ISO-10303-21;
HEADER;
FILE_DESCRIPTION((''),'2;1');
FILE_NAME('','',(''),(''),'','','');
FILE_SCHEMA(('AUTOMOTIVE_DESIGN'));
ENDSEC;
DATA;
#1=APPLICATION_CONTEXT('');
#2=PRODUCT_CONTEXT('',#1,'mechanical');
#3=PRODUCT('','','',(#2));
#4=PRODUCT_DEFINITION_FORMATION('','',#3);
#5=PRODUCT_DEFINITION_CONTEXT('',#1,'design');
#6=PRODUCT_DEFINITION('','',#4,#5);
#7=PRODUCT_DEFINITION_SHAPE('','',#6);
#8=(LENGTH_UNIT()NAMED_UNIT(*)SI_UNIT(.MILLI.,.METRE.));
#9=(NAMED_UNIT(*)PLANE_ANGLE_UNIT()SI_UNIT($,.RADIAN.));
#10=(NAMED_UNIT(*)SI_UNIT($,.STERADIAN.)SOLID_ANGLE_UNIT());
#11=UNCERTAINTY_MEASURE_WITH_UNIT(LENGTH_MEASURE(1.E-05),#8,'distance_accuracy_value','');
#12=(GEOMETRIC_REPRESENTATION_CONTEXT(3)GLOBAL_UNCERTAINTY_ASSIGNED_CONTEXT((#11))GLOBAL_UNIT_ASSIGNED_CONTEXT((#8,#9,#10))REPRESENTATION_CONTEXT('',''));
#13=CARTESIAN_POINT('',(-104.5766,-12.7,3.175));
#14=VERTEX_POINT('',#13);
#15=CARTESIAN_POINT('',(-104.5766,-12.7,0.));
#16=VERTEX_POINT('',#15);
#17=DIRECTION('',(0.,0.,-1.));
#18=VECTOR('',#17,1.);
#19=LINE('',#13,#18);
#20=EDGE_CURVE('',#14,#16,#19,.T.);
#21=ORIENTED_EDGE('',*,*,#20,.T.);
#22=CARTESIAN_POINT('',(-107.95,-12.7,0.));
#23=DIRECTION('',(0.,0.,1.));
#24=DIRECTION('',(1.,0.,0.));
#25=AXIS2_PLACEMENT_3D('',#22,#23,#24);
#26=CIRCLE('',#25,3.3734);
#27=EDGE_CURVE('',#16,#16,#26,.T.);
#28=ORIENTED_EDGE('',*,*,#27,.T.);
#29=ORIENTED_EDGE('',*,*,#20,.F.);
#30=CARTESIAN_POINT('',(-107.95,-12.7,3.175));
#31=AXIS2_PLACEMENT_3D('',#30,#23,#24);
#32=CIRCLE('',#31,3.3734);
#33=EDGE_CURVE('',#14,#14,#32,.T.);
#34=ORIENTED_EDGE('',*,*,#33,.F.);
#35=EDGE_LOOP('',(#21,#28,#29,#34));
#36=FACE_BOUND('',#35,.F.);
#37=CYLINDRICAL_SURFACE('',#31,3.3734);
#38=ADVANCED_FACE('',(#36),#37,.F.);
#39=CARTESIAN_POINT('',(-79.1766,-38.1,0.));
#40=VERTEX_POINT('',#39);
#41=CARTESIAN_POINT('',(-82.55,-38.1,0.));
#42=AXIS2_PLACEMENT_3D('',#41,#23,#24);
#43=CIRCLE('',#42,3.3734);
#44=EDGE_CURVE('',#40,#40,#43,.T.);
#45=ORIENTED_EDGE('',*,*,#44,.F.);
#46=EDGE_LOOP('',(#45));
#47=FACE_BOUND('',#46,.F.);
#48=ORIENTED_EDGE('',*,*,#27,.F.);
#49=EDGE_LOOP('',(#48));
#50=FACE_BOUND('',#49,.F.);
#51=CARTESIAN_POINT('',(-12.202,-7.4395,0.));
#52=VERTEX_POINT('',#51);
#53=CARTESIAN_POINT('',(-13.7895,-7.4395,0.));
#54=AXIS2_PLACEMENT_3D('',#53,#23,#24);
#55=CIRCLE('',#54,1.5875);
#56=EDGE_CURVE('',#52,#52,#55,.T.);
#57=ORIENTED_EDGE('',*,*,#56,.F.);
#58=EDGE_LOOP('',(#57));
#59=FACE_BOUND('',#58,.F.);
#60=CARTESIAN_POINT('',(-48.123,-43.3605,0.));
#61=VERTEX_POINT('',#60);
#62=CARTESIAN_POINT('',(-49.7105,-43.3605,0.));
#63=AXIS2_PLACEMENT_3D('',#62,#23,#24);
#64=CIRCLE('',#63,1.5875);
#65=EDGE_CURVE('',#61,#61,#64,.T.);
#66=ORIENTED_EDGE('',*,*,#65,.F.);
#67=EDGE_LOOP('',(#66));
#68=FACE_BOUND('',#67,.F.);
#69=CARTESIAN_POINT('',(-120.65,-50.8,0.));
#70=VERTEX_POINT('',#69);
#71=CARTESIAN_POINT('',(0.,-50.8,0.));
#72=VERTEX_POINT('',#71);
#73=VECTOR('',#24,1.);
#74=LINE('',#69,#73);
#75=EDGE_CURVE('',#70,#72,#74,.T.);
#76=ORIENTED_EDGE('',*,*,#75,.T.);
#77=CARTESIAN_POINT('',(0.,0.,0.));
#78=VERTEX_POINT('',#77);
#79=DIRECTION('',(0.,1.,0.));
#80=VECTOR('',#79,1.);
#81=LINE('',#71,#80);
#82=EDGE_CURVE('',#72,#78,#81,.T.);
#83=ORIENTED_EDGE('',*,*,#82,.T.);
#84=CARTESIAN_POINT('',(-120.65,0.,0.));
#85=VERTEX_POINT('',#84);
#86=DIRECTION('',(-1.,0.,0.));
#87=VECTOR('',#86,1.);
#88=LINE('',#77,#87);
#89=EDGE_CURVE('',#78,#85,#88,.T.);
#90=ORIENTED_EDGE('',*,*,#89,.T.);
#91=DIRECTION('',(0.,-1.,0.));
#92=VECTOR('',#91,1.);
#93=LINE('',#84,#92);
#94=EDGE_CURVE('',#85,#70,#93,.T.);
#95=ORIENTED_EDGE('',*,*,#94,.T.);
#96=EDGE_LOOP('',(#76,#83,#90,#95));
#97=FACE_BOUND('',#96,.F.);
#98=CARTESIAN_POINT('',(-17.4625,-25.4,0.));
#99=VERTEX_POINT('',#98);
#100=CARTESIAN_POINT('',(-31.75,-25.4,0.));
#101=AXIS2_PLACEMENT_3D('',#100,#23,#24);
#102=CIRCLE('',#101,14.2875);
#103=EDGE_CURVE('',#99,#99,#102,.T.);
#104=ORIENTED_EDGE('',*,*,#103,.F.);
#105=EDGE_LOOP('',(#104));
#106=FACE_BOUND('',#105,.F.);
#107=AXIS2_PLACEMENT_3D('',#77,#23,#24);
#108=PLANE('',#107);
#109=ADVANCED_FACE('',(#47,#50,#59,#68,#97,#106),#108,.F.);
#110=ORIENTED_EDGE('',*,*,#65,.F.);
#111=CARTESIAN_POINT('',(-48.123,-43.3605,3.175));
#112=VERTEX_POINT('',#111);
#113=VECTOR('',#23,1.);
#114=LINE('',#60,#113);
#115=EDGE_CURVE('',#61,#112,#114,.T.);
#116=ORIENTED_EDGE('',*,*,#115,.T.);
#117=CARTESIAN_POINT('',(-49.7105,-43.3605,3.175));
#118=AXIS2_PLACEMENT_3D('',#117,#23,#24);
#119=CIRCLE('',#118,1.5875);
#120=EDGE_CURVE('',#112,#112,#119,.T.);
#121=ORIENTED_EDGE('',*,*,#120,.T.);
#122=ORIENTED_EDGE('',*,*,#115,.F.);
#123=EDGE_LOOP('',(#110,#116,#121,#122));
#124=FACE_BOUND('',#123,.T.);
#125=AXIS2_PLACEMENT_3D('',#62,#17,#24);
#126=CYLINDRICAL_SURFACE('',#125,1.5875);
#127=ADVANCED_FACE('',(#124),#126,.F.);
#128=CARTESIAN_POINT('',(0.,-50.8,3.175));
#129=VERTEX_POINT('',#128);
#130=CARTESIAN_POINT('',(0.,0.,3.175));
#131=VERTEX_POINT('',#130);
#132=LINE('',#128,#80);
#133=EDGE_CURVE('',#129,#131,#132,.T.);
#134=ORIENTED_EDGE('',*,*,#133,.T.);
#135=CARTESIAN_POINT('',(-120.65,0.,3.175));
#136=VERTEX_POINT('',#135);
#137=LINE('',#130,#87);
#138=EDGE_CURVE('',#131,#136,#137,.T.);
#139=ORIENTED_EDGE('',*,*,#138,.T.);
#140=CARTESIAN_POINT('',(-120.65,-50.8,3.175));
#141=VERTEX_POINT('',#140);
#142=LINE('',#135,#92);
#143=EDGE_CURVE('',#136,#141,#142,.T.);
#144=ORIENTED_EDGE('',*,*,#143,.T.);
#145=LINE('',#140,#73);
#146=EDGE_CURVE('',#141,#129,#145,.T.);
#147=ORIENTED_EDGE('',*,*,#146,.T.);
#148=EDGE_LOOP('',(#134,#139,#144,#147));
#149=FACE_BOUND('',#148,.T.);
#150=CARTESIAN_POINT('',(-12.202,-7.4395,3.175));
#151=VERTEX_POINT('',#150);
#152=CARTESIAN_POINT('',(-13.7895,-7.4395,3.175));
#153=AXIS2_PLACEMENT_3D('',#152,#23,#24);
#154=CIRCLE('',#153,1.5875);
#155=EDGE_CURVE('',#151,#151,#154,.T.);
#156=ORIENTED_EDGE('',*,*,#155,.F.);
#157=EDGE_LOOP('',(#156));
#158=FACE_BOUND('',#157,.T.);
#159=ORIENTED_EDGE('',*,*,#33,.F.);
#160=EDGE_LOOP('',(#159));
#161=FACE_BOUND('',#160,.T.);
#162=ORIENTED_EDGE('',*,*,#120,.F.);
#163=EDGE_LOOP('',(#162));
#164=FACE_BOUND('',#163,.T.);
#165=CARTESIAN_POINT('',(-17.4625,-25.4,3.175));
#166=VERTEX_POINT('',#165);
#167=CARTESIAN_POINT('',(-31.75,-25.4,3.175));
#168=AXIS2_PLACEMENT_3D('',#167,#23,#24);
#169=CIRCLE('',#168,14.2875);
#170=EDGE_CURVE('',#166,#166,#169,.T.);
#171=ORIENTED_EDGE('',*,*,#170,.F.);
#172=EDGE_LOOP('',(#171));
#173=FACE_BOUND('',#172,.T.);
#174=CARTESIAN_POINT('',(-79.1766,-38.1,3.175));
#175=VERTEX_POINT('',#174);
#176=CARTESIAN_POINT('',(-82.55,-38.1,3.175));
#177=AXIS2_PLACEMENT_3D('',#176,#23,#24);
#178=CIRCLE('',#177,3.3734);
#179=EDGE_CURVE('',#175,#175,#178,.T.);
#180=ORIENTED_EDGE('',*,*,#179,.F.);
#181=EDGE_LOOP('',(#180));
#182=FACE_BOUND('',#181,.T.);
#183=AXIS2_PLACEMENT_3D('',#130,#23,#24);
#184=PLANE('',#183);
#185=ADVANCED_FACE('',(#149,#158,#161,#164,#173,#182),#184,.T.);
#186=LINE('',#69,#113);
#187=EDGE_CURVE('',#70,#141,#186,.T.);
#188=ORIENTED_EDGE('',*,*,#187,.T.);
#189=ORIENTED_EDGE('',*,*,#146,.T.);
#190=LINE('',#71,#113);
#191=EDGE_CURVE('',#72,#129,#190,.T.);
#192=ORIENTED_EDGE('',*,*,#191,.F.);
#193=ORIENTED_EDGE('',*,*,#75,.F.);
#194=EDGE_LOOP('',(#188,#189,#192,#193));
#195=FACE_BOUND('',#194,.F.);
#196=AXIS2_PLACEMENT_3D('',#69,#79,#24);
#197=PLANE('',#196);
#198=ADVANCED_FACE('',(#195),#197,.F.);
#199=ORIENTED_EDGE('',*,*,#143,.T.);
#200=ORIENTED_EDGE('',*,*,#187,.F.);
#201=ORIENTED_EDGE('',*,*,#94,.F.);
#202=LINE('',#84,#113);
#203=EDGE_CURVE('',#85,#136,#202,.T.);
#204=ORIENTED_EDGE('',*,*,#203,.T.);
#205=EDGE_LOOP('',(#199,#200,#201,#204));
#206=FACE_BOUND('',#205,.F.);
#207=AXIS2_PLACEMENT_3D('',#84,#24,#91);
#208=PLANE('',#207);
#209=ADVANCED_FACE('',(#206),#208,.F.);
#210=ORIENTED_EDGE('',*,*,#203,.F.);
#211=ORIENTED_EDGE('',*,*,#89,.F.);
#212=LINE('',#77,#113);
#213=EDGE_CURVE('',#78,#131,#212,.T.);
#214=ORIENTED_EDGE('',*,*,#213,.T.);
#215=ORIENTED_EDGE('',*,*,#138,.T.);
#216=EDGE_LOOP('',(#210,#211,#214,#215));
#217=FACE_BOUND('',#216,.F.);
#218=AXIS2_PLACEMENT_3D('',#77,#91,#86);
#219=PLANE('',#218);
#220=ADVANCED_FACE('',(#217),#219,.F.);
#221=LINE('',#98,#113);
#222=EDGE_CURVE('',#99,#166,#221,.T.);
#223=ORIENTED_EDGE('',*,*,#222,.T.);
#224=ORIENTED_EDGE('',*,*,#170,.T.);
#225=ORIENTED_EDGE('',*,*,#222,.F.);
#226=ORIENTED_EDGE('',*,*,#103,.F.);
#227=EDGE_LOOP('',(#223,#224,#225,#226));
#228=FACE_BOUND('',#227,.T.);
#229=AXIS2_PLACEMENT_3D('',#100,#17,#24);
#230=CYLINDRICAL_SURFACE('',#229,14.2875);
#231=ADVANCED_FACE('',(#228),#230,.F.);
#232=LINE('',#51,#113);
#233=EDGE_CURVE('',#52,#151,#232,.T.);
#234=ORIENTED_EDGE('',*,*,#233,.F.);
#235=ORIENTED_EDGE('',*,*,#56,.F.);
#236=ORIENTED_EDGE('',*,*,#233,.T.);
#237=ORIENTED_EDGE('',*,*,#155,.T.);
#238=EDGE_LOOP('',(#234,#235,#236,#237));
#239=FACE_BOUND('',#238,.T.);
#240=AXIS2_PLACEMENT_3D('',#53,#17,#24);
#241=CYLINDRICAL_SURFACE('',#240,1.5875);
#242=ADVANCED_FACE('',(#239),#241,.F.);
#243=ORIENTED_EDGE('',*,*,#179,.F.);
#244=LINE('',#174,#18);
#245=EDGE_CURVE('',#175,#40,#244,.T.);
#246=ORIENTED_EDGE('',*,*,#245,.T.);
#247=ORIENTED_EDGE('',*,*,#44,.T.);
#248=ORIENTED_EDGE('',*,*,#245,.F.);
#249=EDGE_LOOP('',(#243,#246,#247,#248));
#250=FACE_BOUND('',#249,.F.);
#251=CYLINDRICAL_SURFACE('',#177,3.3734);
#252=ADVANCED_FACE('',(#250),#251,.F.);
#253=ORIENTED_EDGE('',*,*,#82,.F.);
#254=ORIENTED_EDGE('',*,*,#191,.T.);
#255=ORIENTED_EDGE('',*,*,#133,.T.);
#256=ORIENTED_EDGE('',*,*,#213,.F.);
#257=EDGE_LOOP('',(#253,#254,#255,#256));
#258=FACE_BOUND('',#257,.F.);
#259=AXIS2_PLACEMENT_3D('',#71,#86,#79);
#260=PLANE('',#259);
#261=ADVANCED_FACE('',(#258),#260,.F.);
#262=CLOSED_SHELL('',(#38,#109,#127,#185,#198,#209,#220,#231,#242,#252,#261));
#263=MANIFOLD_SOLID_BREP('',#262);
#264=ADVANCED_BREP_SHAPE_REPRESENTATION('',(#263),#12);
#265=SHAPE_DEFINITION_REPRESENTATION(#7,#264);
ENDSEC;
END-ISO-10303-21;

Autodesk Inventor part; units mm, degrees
ref_plane "YZ Plane" through (0, 0, 0) normal (1, 0, 0) x (0, 1, 0)
ref_plane "XZ Plane" through (0, 0, 0) normal (0, 1, 0) x (-1, 0, 0)
ref_plane "XY Plane" through (0, 0, 0) normal (0, 0, 1) x (1, 0, 0)
sketch "Sketch1" plane through (0, 0, 0) normal (0, 0, 1) x (1, 0, 0)
  line L0 (0, 0) -> (-120.65, 0)
  line L1 (-120.65, 0) -> (-120.65, -50.8)
  line L2 (-120.65, -50.8) -> (0, -50.8)
  line L3 (0, -50.8) -> (0, 0)
  circle A0 centre (-31.75, -25.4) radius 14.2875
  circle A1 centre (-13.7895, -7.4395) radius 1.5875
  circle A2 centre (-49.7105, -43.3605) radius 1.5875
  dimension "d0" = 28.575
  dimension "d1" = 25.4
  dimension "d2" = 25.4
  dimension "d3" = 50.8
  dimension "d4" = 3.175
  dimension "d5" = 3.175
  dimension "d6" = 25.4
  dimension "d7" = 31.75
  dimension "d8" = 88.9
  dimension "d9" = 17.9605
  dimension "d10" = 17.9605
extrude "Extrusion1" add sketch "Sketch1" along normal blind 3.175
sketch "Sketch2" plane through (0, 0, 3.175) normal (0, 0, 1) x (1, 0, 0)
  circle A0 centre (-107.95, -12.7) radius 3.3734
  line L0 (-120.65, 0) -> (-120.65, -50.8) projected
  line L1 (0, 0) -> (-120.65, 0) projected
  circle A1 centre (-82.55, -38.1) radius 3.3734
  line L2 (-120.65, -50.8) -> (0, -50.8) projected
  dimension "d13" = 6.7469
  dimension "d14" = 12.7
  dimension "d15" = 12.7
  dimension "d16" = 6.7469
  dimension "d17" = 12.7
  dimension "d18" = 38.1
extrude "Extrusion2" cut sketch "Sketch2" against normal blind 3.175
properties part number "secondaryflywheelmount"
